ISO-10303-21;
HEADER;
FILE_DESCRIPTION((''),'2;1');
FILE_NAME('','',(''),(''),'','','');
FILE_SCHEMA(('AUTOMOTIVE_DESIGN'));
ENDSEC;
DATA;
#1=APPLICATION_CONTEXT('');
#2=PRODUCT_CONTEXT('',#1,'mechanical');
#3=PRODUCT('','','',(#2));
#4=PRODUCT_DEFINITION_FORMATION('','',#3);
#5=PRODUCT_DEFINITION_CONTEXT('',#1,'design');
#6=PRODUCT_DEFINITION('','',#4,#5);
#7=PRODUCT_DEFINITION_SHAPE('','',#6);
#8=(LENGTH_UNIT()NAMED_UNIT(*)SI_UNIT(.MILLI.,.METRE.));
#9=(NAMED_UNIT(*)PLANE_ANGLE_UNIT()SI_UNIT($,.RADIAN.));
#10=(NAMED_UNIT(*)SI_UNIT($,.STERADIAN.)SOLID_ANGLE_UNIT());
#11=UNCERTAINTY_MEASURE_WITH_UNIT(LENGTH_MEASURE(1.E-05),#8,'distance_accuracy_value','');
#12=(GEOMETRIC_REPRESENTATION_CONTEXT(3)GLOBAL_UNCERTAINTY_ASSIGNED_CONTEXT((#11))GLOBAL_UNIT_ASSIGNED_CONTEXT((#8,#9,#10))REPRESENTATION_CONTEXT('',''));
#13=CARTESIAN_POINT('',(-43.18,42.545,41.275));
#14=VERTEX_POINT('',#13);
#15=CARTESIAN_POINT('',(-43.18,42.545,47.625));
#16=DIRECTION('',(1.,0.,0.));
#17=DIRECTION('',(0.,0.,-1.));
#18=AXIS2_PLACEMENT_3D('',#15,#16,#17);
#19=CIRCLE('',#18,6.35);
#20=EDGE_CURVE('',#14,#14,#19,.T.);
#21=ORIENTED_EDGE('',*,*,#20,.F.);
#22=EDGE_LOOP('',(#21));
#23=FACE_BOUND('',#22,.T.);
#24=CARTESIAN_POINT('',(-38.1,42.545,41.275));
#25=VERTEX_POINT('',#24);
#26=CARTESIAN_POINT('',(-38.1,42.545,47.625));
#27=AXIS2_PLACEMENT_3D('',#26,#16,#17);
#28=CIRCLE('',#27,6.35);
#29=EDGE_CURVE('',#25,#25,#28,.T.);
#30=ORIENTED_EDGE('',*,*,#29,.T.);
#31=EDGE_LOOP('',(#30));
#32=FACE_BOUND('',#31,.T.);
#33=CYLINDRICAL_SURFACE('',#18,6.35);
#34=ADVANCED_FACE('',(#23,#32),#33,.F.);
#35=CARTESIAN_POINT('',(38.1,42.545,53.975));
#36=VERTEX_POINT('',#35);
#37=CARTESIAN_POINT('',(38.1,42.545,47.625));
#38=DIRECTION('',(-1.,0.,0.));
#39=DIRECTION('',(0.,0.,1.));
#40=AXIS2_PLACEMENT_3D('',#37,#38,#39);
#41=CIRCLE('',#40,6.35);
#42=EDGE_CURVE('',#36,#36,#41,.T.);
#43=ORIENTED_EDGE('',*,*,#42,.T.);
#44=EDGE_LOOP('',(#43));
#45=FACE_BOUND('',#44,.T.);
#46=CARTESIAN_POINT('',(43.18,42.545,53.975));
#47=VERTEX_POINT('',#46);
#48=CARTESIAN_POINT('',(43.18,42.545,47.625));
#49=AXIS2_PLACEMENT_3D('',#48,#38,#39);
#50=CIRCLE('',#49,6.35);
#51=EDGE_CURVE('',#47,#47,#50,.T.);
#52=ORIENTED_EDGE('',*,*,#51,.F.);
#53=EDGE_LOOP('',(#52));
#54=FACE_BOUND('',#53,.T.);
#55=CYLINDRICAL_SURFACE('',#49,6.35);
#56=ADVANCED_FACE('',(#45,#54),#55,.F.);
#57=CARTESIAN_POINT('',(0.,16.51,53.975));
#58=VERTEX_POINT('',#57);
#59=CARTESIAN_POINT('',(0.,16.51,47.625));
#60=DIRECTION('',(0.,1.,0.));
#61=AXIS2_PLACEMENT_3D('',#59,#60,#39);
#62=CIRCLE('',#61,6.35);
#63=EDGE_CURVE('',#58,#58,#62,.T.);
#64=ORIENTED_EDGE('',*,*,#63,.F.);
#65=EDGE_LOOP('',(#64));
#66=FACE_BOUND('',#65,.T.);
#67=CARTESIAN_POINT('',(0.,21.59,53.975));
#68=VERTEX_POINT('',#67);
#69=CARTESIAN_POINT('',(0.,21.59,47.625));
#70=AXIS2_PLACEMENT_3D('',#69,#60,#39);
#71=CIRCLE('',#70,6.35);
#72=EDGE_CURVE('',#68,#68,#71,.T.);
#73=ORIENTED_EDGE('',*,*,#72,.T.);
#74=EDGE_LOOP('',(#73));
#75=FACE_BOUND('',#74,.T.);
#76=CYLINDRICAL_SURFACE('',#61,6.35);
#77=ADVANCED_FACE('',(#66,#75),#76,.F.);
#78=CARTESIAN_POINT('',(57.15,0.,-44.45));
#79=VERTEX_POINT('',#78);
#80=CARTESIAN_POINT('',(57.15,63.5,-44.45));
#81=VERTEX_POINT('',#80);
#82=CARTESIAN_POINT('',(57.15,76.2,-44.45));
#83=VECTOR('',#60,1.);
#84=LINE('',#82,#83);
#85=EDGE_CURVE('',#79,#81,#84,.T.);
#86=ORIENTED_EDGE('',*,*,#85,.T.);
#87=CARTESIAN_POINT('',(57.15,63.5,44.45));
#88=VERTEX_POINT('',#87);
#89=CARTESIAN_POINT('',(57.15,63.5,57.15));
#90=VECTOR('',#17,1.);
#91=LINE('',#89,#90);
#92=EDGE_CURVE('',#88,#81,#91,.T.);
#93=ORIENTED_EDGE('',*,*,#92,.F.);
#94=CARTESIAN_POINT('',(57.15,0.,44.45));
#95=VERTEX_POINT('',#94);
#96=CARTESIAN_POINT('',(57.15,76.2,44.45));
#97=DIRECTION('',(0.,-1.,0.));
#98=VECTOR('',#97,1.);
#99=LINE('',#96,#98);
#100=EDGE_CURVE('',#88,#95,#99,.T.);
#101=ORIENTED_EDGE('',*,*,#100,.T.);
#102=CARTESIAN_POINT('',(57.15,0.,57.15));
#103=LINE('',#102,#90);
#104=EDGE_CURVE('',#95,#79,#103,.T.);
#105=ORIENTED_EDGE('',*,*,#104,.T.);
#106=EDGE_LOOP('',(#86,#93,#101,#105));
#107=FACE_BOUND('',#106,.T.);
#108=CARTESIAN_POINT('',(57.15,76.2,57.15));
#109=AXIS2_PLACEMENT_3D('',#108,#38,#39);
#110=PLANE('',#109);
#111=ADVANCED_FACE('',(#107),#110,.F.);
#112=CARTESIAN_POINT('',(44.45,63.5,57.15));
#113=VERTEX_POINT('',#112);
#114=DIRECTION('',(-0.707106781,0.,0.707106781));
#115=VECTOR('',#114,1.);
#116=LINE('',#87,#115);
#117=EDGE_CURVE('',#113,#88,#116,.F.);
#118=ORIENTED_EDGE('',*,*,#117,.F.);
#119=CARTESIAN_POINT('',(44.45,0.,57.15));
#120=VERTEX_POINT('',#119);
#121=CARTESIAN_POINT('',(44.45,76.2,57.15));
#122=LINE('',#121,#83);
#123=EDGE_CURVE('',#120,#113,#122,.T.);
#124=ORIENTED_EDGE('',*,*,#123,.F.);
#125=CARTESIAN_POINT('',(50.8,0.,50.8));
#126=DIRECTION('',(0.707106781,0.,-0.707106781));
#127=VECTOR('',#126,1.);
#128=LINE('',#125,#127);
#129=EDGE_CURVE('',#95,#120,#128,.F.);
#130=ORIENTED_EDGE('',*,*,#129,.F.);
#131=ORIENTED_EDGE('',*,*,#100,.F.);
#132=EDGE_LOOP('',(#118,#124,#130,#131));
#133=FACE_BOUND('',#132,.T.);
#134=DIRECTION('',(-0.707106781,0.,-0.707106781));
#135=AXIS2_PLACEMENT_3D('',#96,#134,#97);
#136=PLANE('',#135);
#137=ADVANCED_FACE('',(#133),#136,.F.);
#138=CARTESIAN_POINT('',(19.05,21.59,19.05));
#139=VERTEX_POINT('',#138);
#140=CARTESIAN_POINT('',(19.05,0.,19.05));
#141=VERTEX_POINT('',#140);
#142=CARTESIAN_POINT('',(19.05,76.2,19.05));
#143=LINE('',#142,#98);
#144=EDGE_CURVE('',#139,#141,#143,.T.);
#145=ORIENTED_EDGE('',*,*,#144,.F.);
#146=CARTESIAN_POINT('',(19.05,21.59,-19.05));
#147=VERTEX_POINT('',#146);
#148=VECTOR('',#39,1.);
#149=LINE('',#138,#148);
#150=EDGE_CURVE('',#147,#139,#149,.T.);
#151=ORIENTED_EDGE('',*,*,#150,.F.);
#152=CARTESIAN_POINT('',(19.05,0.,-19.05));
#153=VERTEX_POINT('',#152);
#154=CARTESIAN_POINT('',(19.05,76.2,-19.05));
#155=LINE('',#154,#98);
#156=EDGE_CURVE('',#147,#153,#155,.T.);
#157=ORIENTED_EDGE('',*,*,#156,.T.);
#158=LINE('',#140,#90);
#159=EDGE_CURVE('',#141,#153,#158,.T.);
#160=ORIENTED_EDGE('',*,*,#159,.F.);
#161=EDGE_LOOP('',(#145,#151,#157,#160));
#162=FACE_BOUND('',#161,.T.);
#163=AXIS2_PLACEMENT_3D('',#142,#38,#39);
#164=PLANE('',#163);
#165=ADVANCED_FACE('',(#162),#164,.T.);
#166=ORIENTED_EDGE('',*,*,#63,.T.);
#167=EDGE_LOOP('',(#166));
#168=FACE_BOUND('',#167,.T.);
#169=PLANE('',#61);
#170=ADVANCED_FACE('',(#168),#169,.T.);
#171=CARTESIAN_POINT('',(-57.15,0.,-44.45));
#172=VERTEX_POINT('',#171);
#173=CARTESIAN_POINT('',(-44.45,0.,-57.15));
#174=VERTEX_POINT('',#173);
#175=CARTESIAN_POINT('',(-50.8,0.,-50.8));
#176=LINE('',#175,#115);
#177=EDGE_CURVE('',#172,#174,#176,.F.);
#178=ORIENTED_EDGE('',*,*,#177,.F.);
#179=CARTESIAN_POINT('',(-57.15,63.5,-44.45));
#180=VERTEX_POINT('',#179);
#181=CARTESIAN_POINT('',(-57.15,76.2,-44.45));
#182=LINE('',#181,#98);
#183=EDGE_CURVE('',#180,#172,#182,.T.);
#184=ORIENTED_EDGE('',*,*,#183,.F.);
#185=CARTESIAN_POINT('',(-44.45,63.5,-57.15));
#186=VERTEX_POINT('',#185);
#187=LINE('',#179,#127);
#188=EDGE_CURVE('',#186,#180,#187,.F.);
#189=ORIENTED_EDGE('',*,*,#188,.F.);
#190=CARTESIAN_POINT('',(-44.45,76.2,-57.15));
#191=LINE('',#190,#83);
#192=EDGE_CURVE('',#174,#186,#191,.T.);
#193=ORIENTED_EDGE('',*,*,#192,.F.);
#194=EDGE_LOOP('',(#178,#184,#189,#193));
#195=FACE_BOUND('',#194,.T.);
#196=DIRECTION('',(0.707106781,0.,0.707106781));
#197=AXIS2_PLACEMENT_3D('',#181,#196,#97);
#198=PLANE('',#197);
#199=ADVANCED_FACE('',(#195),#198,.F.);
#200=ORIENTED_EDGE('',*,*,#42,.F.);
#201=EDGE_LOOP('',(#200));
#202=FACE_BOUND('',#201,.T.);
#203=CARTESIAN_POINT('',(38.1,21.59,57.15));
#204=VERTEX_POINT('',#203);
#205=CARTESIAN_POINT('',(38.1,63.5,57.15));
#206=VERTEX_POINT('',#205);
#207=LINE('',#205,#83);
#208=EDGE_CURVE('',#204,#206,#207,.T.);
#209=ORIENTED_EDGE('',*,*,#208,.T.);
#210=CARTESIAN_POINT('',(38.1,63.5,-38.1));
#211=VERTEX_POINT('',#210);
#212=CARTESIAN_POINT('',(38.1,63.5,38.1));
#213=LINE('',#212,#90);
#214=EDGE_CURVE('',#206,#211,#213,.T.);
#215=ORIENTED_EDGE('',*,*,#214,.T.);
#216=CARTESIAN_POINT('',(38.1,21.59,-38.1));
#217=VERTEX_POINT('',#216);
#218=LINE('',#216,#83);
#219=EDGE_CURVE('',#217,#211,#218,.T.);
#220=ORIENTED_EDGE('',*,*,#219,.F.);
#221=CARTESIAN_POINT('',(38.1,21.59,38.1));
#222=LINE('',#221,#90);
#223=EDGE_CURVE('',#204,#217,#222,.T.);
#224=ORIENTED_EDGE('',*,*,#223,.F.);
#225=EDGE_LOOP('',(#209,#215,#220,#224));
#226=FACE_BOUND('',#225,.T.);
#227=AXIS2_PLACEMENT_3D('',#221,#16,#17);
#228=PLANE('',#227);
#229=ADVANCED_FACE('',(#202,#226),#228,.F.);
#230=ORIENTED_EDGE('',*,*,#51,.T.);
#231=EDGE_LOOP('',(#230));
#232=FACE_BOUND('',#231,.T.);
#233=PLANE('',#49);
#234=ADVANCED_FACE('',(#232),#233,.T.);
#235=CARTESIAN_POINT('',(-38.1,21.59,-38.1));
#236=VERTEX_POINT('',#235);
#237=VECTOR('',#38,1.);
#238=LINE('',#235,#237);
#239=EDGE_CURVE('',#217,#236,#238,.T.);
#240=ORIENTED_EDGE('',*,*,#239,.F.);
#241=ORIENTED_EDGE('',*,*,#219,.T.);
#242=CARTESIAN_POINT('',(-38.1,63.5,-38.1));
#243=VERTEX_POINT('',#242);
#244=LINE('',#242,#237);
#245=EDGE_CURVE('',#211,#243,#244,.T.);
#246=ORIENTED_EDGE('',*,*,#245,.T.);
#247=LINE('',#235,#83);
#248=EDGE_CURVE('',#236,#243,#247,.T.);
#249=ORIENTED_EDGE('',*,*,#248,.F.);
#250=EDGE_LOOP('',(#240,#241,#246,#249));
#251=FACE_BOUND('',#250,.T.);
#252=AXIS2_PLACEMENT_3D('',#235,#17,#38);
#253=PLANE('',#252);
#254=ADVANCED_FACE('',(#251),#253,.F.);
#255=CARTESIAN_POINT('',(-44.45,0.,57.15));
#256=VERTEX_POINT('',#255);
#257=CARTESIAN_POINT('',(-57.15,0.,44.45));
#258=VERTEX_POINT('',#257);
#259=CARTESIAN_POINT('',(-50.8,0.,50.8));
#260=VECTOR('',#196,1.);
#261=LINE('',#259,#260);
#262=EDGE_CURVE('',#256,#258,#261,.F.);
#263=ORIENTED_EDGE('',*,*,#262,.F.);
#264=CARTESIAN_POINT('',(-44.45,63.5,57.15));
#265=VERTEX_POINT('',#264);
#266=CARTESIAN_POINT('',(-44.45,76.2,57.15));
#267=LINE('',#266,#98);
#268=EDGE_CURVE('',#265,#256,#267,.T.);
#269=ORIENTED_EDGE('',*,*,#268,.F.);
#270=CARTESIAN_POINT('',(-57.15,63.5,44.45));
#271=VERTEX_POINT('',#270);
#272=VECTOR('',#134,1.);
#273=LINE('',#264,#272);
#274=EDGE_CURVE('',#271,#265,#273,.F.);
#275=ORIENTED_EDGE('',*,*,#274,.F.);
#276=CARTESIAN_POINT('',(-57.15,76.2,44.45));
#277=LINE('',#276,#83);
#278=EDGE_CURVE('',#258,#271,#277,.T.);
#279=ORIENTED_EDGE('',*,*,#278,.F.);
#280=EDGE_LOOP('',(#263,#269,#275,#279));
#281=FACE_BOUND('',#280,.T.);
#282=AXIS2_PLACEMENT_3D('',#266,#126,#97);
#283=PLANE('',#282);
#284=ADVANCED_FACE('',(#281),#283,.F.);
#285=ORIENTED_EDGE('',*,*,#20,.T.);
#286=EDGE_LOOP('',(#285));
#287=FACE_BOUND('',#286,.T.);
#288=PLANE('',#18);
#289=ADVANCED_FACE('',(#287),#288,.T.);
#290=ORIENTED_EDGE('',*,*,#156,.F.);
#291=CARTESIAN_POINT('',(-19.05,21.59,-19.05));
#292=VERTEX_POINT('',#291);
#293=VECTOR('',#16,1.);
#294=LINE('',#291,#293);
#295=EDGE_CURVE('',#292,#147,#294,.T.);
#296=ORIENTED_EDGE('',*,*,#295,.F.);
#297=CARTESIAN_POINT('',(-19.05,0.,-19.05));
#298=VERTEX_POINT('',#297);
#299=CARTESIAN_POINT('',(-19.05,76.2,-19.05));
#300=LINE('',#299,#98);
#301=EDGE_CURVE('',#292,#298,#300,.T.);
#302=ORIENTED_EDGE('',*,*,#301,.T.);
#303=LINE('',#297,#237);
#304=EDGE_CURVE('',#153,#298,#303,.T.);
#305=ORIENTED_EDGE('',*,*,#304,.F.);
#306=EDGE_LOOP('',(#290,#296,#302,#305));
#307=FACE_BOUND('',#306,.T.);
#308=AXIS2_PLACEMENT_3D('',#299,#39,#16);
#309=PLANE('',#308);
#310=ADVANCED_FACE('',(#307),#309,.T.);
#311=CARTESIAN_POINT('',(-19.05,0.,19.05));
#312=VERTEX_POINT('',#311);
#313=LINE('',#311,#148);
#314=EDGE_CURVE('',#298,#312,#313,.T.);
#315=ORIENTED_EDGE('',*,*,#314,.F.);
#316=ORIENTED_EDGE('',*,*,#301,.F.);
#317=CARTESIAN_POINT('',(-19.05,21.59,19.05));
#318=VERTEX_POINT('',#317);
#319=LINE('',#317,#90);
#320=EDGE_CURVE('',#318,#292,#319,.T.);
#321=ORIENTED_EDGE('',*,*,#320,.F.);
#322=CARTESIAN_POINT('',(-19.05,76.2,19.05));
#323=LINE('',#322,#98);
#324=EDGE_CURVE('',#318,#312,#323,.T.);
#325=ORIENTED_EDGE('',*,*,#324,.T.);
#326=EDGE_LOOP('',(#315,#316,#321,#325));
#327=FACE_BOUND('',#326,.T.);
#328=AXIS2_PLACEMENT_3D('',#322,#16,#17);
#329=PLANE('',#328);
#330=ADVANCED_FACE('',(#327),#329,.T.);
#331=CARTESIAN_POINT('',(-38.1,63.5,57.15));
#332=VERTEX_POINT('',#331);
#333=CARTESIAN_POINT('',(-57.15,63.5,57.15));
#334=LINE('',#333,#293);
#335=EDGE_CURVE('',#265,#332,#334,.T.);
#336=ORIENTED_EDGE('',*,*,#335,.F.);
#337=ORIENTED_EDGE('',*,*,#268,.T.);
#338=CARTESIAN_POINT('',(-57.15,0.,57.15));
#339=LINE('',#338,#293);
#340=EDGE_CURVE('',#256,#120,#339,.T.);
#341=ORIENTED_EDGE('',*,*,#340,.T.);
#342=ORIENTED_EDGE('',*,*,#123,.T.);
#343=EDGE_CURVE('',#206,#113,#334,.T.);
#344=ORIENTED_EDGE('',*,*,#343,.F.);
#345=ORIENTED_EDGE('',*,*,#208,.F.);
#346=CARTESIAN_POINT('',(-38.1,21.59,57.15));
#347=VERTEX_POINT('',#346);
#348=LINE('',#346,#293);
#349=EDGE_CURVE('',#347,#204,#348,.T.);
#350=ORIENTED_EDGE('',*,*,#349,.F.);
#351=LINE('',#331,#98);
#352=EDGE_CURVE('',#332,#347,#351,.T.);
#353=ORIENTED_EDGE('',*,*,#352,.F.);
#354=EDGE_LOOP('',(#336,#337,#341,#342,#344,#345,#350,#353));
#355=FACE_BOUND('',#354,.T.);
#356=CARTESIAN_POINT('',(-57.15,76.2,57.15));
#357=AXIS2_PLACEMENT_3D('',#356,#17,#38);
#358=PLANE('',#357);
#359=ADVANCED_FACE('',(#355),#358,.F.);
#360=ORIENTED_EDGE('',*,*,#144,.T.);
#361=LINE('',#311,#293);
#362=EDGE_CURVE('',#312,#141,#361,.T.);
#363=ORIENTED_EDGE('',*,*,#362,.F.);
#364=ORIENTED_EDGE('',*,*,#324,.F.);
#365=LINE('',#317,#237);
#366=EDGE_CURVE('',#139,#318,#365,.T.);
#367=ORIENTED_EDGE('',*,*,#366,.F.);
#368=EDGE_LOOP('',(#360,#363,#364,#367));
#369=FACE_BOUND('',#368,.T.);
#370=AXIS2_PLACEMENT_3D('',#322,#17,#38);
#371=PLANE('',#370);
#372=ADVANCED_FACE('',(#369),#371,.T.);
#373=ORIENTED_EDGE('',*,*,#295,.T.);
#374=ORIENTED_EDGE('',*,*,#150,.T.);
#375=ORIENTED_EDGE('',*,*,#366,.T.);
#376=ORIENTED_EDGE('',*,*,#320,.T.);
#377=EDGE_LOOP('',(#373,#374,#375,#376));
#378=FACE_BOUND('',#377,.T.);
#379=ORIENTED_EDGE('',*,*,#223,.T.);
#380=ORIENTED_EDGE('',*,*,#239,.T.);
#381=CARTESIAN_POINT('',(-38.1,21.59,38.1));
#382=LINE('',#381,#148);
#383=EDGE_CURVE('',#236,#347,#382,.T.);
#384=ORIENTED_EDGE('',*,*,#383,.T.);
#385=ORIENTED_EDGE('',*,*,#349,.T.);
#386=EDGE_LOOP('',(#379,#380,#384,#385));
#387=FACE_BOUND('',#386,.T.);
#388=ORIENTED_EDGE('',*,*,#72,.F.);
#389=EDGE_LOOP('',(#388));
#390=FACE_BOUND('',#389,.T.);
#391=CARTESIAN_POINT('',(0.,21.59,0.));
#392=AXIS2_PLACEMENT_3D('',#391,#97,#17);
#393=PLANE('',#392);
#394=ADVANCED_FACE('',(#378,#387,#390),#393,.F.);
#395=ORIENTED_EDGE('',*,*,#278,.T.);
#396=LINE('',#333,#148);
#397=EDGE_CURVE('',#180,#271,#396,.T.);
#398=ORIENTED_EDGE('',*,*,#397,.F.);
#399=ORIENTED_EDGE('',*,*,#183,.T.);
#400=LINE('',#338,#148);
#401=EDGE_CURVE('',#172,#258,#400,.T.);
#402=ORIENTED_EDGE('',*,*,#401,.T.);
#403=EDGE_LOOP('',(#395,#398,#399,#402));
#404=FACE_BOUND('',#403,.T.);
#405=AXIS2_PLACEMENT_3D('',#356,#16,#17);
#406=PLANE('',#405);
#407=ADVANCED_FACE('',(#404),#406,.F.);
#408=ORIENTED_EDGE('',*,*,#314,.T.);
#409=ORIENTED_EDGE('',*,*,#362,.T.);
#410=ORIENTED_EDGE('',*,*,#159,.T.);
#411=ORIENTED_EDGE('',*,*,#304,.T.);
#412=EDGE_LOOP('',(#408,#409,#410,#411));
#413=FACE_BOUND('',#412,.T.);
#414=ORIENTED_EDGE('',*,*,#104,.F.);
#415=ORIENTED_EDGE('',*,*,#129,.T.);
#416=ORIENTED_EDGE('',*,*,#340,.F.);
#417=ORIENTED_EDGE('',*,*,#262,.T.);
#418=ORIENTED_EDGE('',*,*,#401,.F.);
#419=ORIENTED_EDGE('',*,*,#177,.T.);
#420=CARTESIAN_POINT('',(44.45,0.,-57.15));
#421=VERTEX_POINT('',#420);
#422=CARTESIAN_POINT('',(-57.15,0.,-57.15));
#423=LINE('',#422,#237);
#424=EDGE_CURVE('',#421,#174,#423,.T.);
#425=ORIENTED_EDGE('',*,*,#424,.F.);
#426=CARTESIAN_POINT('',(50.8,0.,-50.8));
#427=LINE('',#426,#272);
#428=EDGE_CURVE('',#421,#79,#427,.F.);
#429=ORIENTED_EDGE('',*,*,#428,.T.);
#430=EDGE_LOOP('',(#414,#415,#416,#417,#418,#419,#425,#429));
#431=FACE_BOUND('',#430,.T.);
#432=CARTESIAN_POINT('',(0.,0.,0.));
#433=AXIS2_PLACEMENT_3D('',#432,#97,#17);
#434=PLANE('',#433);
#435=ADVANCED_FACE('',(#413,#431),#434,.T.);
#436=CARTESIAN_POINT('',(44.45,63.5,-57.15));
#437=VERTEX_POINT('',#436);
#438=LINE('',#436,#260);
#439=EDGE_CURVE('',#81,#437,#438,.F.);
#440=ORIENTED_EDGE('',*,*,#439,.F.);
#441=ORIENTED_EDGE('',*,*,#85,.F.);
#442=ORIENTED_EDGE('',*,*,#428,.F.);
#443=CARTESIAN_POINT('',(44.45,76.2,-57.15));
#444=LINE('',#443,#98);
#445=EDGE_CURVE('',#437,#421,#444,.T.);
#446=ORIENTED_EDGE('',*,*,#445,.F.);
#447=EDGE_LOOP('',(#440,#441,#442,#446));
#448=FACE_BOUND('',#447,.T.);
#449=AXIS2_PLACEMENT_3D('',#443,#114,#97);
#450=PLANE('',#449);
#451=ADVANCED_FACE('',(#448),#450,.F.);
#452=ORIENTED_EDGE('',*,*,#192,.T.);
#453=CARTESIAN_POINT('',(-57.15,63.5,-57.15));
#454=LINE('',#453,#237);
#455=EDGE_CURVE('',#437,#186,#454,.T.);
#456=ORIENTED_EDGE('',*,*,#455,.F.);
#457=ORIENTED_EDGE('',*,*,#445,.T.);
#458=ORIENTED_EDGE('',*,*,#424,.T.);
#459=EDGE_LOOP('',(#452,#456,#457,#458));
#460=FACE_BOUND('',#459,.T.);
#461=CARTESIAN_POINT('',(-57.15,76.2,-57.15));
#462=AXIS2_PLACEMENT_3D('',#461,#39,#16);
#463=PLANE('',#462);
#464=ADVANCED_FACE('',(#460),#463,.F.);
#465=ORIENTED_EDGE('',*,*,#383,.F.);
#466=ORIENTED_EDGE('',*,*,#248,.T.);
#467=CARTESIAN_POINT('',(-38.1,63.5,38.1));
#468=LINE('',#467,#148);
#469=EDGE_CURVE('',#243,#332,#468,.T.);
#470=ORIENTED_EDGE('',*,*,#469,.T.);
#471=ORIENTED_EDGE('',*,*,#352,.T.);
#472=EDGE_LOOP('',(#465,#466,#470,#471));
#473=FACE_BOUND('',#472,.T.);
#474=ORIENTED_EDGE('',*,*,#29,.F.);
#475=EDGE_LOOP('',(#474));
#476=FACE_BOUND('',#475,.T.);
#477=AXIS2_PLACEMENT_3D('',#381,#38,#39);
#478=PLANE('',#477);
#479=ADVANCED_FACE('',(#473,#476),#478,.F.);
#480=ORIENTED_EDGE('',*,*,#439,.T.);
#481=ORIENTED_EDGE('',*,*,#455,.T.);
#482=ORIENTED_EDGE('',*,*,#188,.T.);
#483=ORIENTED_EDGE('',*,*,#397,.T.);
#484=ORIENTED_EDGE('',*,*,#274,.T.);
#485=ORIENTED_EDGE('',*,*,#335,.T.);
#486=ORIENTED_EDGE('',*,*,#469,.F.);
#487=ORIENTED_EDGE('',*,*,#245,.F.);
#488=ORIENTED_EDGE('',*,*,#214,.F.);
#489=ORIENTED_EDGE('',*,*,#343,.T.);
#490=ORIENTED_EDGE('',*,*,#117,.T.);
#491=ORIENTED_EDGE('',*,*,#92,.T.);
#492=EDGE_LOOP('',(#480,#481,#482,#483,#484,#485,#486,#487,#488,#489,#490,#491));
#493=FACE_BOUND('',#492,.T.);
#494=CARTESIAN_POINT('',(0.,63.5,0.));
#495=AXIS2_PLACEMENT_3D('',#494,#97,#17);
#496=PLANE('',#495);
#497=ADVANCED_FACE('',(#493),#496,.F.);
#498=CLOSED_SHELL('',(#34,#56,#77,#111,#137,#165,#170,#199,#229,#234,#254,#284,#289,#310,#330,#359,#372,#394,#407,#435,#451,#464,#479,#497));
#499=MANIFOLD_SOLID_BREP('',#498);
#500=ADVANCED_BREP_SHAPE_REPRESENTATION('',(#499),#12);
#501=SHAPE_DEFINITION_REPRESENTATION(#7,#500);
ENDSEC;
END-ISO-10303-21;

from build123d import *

# Parameters (mm, degrees)
SKETCH1_W           = 114.3
SKETCH1_H           = 114.3
SKETCH1_W_2         = 38.1
SKETCH1_H_2         = 38.1
BOSS_EXTRUDE1_DEPTH = 76.2
SKETCH3_W           = 76.2
SKETCH3_H           = 76.2
CUT_EXTRUDE2_DEPTH  = 54.61
SKETCH5_W           = 114.3
SKETCH5_H           = 114.3
SKETCH5_W_2         = 76.2
SKETCH5_H_2         = 76.2
CUT_EXTRUDE3_DEPTH  = 12.7
CHAMFER1_SIZE       = 12.7
CUT_EXTRUDE4_REACH  = 144.699
SKETCH6_W           = 76.2
SKETCH6_H           = 41.91
SKETCH7_R           = 6.35
CUT_EXTRUDE5_DEPTH  = 5.08
SKETCH9_R           = 6.35
CUT_EXTRUDE6_DEPTH  = 5.08
CUT_EXTRUDE7_START  = -5.08
SKETCH8_R           = 6.35
CUT_EXTRUDE7_DEPTH  = 5.08


with BuildPart() as part:
    # Sketch1 → Boss-Extrude1 (new body)
    with BuildSketch(Plane(origin=(0, 0, 0), x_dir=(1, 0, 0), z_dir=(0, 1, 0))):
        Rectangle(SKETCH1_W, SKETCH1_H)
        Rectangle(SKETCH1_W_2, SKETCH1_H_2, mode=Mode.SUBTRACT)
    extrude(amount=BOSS_EXTRUDE1_DEPTH)

    # Sketch3 → Cut-Extrude2 (cut)
    with BuildSketch(Plane(origin=(0, 76.2, 0), x_dir=(1, 0, 0), z_dir=(0, 1, 0))):
        Rectangle(SKETCH3_W, SKETCH3_H)
    extrude(amount=-CUT_EXTRUDE2_DEPTH, mode=Mode.SUBTRACT)

    # Sketch5 → Cut-Extrude3 (cut)
    with BuildSketch(Plane(origin=(0, 76.2, 0), x_dir=(1, 0, 0), z_dir=(0, 1, 0))):
        Rectangle(SKETCH5_W, SKETCH5_H)
        Rectangle(SKETCH5_W_2, SKETCH5_H_2, mode=Mode.SUBTRACT)
    extrude(amount=-CUT_EXTRUDE3_DEPTH, mode=Mode.SUBTRACT)

    # Chamfer1
    chamfer1_edges = [part.edges().sort_by_distance(p)[0] for p in [
        (57.15, 31.75, 57.15),
        (-57.15, 31.75, 57.15),
        (-57.15, 31.75, -57.15),
        (57.15, 31.75, -57.15),
    ]]
    chamfer(chamfer1_edges, length=CHAMFER1_SIZE)

    # Sketch6 → Cut-Extrude4 (cut, up to next)
    with BuildSketch(Plane.XY.offset(57.15), mode=Mode.PRIVATE) as cut_extrude4_sk1:
        with Locations((0, 42.545)):
            Rectangle(SKETCH6_W, SKETCH6_H)
    cut_extrude4_tool1 = extrude(cut_extrude4_sk1.sketch, amount=-CUT_EXTRUDE4_REACH, mode=Mode.PRIVATE) & part.part
    add(cut_extrude4_tool1.solids().sort_by_distance((0, 42.545, 57.15))[0], mode=Mode.SUBTRACT)

    # Sketch7 → Cut-Extrude5 (cut)
    with BuildSketch(Plane(origin=(0, 21.59, 0), x_dir=(1, 0, 0), z_dir=(0, 1, 0))):
        with Locations(Location((0, -47.625, 0), (0, 0, 270))):
            Circle(SKETCH7_R)
    extrude(amount=-CUT_EXTRUDE5_DEPTH, mode=Mode.SUBTRACT)

    # Sketch9 → Cut-Extrude6 (cut)
    with BuildSketch(Plane.ZY.offset(-38.1)):
        with Locations((47.625, 42.545)):
            Circle(SKETCH9_R)
    extrude(amount=-CUT_EXTRUDE6_DEPTH, mode=Mode.SUBTRACT)

    # Sketch8 → Cut-Extrude7 (cut)
    with BuildSketch(Plane(origin=(-38.1, 0, 0), x_dir=(0, 0, -1), z_dir=(1, 0, 0)).offset(CUT_EXTRUDE7_START)):
        with Locations(Location((-47.625, 42.545, 0), (0, 0, 180))):
            Circle(SKETCH8_R)
    extrude(amount=CUT_EXTRUDE7_DEPTH, mode=Mode.SUBTRACT)


solid = part.part
